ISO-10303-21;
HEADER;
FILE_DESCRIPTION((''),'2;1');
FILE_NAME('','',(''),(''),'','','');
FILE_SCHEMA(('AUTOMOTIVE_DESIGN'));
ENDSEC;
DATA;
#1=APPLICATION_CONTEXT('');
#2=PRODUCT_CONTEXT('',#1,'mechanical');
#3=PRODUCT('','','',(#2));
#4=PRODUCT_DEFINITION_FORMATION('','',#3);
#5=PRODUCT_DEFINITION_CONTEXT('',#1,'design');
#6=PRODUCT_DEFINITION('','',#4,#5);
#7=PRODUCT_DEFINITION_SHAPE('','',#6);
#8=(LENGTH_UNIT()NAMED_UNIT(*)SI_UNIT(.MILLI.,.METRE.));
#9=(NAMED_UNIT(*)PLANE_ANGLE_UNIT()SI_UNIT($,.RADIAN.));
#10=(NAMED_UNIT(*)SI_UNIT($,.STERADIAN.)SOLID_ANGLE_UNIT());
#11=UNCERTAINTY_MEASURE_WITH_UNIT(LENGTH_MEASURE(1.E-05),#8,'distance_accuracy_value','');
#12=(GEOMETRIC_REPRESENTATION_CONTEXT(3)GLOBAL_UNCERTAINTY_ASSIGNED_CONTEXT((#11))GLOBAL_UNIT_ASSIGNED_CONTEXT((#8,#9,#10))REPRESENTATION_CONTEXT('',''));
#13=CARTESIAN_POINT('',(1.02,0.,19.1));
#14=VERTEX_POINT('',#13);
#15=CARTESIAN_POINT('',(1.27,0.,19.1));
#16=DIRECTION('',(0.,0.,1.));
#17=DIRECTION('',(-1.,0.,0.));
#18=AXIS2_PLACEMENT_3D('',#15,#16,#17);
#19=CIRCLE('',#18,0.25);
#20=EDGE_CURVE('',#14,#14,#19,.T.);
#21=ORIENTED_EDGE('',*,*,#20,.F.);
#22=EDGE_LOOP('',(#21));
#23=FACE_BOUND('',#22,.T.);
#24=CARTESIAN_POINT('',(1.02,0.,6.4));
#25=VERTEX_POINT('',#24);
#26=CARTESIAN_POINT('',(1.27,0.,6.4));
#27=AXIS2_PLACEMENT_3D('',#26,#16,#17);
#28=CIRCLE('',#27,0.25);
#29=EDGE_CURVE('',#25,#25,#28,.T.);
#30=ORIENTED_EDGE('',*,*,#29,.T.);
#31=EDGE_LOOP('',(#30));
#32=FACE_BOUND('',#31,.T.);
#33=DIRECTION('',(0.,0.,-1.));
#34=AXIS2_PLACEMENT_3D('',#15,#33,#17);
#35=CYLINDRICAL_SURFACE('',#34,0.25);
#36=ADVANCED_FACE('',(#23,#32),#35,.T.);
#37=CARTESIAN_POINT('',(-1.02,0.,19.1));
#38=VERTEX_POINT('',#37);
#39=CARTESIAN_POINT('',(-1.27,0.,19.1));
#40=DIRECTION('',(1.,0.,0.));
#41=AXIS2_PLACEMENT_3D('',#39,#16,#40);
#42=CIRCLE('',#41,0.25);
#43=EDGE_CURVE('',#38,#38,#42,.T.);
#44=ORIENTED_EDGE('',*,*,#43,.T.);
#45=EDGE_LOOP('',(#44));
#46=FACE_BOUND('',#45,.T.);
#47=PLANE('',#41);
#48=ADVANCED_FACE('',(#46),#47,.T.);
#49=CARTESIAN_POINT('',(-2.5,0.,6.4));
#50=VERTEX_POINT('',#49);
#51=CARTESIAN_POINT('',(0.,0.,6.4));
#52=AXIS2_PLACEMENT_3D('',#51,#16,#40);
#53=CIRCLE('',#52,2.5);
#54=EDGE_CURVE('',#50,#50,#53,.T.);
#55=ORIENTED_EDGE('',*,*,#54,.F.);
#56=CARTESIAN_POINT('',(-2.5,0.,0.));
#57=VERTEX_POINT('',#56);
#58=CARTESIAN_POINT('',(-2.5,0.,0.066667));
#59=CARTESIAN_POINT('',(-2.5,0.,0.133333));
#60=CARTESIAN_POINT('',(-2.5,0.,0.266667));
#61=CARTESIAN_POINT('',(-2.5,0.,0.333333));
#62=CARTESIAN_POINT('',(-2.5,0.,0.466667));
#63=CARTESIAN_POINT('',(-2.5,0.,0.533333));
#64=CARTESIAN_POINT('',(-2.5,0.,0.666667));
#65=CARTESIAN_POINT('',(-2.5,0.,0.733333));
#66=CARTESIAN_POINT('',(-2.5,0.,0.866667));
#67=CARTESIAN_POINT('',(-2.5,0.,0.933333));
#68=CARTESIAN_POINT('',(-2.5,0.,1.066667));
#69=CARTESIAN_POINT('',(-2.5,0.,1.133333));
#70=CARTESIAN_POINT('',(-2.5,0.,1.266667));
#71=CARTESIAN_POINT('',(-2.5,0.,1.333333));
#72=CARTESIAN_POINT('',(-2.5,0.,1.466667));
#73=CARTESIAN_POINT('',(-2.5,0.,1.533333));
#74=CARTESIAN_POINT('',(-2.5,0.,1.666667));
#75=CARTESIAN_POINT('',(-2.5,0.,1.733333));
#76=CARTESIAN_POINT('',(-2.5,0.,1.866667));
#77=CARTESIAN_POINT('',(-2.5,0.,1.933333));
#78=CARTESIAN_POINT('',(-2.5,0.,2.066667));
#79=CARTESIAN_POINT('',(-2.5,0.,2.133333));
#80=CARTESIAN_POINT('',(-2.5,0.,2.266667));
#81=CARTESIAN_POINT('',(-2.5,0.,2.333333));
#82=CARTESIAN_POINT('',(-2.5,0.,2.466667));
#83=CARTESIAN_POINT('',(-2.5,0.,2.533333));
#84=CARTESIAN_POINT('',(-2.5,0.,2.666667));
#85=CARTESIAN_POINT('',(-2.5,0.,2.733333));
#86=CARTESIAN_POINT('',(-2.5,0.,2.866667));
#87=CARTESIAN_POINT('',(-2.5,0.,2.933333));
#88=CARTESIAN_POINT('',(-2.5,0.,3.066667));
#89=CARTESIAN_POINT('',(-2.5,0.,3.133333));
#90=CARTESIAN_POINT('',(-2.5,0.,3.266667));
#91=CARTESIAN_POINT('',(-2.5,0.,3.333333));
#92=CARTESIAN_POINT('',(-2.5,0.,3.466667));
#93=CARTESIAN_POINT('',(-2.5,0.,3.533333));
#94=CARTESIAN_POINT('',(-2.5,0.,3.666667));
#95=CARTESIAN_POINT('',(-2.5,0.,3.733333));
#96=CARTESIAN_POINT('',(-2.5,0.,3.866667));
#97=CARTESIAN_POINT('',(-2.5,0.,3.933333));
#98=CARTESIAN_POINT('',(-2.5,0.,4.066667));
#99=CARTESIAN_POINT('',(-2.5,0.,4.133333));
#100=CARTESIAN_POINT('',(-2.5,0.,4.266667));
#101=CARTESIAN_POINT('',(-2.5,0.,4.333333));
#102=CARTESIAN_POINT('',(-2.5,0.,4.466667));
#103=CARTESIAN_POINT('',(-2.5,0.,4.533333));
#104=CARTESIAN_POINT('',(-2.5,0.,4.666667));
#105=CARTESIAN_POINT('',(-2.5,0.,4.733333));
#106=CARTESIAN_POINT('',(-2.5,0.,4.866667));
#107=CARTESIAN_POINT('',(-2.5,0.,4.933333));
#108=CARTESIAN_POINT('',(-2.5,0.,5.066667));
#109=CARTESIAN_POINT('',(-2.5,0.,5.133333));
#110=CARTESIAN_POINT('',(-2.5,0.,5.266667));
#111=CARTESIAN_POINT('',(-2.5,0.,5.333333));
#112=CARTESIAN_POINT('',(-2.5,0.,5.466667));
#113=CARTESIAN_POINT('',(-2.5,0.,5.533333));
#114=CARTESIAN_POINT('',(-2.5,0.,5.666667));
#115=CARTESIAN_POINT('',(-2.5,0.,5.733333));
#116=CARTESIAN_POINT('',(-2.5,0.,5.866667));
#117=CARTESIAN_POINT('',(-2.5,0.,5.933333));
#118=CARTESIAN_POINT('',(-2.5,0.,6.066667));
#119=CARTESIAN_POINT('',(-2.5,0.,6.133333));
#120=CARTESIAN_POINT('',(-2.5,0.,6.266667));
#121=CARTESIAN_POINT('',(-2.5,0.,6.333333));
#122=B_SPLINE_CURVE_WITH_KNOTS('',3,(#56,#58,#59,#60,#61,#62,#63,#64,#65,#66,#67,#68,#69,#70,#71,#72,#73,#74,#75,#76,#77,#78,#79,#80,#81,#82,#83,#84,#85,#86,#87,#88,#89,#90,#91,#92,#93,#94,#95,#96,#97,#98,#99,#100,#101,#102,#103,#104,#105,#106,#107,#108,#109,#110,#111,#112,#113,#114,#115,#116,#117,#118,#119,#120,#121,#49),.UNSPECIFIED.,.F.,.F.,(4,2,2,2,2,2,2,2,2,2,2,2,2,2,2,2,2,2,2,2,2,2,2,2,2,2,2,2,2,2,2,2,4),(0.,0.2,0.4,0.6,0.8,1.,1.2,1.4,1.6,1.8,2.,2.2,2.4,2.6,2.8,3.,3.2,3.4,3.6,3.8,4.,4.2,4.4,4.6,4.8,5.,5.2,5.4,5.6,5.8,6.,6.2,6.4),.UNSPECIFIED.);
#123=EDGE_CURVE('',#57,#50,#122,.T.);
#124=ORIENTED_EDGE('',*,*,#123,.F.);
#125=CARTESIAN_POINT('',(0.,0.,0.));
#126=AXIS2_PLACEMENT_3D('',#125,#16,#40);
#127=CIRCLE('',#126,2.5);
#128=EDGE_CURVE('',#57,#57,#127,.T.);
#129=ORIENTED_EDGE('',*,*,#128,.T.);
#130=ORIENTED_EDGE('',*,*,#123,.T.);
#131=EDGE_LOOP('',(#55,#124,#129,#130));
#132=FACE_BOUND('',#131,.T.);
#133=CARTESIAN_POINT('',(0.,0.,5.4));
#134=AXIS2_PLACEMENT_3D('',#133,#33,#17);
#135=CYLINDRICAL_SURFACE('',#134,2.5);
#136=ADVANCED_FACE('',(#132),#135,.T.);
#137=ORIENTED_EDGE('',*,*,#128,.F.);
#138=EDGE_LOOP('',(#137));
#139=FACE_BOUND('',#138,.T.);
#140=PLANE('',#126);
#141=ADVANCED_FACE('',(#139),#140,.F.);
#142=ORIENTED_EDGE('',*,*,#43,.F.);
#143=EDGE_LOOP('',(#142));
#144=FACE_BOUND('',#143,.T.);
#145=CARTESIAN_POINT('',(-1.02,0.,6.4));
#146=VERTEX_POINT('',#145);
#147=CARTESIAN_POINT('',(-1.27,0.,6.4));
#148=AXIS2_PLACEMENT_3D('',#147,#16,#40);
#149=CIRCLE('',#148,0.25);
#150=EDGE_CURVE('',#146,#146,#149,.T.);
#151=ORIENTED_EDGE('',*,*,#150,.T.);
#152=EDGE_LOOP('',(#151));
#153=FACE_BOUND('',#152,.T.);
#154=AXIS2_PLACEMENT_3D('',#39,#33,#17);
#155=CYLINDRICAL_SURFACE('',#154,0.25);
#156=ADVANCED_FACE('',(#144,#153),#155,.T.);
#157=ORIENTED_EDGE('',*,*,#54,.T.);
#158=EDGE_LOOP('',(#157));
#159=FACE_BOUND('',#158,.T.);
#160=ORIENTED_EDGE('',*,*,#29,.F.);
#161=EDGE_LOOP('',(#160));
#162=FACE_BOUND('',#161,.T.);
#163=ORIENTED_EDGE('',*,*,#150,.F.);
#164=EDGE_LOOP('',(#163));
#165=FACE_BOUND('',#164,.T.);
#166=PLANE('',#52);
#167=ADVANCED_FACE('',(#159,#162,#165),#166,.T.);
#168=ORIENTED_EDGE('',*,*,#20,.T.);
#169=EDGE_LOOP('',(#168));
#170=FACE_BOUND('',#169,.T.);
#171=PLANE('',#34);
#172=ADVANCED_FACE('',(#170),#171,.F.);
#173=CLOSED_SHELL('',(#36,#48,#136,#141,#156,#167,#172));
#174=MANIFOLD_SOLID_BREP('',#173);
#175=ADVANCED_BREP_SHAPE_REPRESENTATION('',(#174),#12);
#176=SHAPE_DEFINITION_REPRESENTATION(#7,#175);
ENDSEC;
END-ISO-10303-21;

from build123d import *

# Parameters (mm, degrees)
SKETCH_1_R      = 2.5
EXTRUDE_1_DEPTH = 5.4
SKETCH_2_R      = 2.5
EXTRUDE_2_DEPTH = 1
SKETCH_3_R      = 0.25
EXTRUDE_3_DEPTH = 12.7


with BuildPart() as part:
    # 草图1 → 拉伸1 (new body)
    with BuildSketch(Plane.XY):
        with Locations(Location((0, 0, 0), (0, 0, 180))):
            Circle(SKETCH_1_R)
    extrude(amount=EXTRUDE_1_DEPTH)

    # 草图2 → 拉伸2 (add)
    with BuildSketch(Plane.XY.offset(5.4)):
        with Locations(Location((0, 0, 0), (0, 0, 180))):
            Circle(SKETCH_2_R)
    extrude(amount=EXTRUDE_2_DEPTH)

    # 草图3 → 拉伸3 (add)
    with BuildSketch(Plane.XY.offset(6.4)):
        with Locations((-1.27, 0)):
            Circle(SKETCH_3_R)
        with Locations(Location((1.27, 0, 0), (0, 0, 180))):
            Circle(SKETCH_3_R)
    extrude(amount=EXTRUDE_3_DEPTH)


solid = part.part
